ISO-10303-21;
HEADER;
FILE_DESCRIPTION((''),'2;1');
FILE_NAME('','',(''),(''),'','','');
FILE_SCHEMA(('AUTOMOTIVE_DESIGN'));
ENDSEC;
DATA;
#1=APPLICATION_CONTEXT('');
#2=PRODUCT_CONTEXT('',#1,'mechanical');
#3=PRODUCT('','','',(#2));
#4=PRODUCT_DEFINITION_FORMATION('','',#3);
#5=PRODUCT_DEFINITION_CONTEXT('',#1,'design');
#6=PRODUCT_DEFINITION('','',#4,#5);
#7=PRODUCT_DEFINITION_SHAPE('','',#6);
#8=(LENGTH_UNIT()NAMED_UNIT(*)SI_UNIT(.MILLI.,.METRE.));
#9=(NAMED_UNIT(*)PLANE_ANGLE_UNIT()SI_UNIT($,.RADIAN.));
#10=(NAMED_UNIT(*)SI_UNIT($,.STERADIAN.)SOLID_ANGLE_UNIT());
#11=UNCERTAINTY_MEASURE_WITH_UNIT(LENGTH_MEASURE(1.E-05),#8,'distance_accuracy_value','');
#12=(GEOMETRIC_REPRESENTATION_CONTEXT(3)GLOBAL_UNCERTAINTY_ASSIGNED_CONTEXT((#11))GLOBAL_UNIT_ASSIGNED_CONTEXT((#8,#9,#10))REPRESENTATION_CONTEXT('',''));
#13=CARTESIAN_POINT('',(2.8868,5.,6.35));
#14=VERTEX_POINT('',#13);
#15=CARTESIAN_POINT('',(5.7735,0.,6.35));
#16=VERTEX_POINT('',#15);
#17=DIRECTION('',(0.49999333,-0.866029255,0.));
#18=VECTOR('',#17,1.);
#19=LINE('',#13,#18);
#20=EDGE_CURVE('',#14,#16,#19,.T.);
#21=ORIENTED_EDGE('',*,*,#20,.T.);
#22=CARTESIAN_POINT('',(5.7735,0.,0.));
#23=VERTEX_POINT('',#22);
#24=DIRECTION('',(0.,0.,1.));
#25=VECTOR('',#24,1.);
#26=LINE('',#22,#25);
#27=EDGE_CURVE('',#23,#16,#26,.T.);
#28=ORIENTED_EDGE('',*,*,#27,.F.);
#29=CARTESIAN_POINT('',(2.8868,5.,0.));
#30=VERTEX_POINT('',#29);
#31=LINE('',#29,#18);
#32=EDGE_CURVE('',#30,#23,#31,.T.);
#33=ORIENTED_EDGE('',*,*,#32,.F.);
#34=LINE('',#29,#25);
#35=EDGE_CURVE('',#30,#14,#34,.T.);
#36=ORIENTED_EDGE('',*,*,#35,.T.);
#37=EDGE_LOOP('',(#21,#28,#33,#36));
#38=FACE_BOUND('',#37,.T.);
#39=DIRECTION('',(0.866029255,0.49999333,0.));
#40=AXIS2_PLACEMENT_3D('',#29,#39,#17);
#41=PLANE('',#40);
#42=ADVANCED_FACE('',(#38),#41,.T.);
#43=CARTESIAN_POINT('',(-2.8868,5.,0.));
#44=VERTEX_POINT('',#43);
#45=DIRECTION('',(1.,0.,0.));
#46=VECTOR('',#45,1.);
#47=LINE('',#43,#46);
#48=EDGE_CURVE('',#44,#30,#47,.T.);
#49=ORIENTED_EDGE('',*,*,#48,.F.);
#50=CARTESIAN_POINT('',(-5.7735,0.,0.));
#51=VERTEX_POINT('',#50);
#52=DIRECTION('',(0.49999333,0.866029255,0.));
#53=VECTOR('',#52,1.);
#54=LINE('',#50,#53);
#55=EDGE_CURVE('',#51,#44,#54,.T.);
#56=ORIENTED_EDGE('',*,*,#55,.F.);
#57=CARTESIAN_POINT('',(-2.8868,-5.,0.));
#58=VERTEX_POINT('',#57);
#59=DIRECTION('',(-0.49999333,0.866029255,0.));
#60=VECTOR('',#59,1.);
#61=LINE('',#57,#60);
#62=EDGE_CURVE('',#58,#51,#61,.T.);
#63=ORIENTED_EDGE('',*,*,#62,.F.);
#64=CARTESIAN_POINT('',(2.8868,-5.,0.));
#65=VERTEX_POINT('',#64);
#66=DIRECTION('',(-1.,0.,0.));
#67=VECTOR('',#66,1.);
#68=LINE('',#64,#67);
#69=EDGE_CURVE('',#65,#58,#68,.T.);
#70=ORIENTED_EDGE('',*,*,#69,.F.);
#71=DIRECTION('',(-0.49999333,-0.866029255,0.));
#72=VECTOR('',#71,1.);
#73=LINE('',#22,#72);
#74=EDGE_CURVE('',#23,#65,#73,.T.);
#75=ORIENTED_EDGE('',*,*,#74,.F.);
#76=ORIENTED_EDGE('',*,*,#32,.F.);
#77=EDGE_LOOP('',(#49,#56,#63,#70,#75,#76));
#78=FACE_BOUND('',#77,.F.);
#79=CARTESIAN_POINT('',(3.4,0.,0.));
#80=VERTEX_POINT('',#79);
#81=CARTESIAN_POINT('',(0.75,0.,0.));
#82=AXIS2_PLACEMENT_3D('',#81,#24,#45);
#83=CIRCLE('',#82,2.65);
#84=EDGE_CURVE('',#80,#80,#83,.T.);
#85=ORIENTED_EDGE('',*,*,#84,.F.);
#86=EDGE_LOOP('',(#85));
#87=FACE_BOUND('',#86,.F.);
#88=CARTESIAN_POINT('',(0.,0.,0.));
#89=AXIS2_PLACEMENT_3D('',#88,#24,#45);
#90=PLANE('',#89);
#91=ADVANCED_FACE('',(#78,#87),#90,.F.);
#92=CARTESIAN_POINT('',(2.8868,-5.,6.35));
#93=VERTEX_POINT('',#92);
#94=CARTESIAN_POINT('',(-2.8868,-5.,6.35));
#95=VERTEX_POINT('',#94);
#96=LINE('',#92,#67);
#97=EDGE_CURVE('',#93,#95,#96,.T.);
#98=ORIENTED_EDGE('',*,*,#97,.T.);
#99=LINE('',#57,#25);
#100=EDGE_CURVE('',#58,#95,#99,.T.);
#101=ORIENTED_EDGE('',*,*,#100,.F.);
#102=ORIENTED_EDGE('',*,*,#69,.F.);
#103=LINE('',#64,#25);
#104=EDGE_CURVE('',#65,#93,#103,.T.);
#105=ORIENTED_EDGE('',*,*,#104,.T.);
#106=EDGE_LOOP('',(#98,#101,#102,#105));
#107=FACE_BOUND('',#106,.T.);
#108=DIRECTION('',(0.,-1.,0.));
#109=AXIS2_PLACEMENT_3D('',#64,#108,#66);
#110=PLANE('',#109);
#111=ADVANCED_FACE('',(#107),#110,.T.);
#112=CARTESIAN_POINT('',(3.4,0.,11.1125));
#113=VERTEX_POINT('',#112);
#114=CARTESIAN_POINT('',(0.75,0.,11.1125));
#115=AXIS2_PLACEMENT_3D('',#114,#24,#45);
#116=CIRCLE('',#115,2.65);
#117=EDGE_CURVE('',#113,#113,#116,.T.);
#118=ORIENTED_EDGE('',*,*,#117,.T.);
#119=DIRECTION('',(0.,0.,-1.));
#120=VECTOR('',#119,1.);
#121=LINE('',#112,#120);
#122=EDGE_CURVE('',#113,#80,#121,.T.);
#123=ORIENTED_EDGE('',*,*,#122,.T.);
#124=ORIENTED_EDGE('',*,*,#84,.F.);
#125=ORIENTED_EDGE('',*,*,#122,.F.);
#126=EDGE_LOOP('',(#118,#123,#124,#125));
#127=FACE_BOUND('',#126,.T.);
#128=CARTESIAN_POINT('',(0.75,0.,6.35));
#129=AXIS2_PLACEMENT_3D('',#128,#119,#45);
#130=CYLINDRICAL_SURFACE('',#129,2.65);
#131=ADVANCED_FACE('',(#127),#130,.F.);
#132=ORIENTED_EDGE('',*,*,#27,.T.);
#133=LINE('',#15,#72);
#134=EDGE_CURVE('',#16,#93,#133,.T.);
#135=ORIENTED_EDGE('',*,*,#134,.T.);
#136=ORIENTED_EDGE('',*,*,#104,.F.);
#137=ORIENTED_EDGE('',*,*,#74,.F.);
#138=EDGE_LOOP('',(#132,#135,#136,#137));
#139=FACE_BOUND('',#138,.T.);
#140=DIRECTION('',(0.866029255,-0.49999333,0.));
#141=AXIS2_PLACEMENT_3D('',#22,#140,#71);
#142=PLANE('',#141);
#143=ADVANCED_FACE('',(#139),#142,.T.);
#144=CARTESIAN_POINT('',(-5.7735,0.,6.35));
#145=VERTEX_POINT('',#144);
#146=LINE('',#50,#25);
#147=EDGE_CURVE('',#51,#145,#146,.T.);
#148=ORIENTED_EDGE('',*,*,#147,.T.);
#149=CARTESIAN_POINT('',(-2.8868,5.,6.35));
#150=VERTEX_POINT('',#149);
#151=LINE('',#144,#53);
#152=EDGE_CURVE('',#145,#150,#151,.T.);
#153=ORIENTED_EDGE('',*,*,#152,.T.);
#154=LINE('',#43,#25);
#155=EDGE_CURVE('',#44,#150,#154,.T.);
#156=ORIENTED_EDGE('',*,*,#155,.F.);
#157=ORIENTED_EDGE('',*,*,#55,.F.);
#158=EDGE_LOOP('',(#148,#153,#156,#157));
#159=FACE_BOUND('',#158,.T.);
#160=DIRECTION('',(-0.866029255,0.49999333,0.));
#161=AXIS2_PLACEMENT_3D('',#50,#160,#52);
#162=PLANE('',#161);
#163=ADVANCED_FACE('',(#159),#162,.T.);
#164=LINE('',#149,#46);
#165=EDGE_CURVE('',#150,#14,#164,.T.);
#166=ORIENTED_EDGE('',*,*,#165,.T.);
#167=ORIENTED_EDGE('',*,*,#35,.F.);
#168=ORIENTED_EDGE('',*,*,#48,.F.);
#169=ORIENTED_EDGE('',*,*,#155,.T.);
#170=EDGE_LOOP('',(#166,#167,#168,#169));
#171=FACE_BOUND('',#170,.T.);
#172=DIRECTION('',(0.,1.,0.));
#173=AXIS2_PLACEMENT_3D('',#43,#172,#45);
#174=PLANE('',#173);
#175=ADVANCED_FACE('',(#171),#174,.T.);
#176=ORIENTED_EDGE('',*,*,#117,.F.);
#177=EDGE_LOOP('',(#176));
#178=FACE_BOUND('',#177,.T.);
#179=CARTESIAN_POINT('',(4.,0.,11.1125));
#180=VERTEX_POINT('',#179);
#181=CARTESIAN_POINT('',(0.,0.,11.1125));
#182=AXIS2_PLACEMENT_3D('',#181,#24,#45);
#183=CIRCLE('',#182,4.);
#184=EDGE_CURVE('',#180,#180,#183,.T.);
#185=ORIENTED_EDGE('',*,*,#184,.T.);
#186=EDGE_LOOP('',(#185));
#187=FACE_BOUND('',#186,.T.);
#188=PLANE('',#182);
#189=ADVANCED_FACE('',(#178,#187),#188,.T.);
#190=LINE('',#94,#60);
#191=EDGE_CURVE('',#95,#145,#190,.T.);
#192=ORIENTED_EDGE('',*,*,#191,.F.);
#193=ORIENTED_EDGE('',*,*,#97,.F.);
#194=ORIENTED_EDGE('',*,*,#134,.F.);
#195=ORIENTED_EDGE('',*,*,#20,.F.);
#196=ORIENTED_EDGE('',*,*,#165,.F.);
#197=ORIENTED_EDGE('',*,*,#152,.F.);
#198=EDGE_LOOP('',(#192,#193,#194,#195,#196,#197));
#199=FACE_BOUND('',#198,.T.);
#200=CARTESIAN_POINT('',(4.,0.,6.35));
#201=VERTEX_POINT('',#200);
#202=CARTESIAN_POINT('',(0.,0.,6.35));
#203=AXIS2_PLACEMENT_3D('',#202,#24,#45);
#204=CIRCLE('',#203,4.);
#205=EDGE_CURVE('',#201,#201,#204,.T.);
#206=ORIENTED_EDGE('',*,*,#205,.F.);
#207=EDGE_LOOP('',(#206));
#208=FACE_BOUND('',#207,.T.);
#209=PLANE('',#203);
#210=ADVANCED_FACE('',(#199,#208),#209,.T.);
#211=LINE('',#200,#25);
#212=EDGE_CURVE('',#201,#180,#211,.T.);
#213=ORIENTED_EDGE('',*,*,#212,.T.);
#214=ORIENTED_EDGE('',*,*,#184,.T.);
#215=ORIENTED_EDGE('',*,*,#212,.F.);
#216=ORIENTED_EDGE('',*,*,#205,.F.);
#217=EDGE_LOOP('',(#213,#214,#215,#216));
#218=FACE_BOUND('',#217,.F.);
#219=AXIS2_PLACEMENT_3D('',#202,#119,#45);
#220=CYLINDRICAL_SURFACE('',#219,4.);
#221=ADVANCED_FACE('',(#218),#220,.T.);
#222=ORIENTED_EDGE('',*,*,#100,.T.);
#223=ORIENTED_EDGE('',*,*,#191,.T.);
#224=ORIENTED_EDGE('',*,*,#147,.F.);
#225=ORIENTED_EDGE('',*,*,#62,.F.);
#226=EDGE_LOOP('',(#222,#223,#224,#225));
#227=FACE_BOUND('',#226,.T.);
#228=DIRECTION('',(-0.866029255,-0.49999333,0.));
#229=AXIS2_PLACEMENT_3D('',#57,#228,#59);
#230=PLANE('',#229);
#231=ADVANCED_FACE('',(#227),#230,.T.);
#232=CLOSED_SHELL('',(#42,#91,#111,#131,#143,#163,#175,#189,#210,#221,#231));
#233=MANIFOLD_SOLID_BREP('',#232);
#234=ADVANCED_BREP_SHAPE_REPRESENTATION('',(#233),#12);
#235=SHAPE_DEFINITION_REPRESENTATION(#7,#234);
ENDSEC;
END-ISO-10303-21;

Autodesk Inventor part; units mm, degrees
ref_plane "YZ Plane" through (0, 0, 0) normal (1, 0, 0) x (0, 1, 0)
ref_plane "XZ Plane" through (0, 0, 0) normal (0, 1, 0) x (-1, 0, 0)
ref_plane "XY Plane" through (0, 0, 0) normal (0, 0, 1) x (1, 0, 0)
sketch "Sketch1" plane through (0, 0, 0) normal (0, 0, 1) x (1, 0, 0)
  circle A0 centre (0, 0) radius 4
  line L0 (2.8868, 5) -> (5.7735, 0)
  line L1 (5.7735, 0) -> (2.8868, -5)
  line L2 (2.8868, -5) -> (-2.8868, -5)
  line L3 (-2.8868, -5) -> (-5.7735, 0)
  line L4 (-5.7735, 0) -> (-2.8868, 5)
  line L5 (-2.8868, 5) -> (2.8868, 5)
  circle A1 centre (0.75, 0) radius 2.65
  dimension "d0" = 8
  dimension "d2" = 10
  dimension "d3" = 5.3
  dimension "d4" = 0.75
extrude "Extrusion1" add sketch "Sketch1" along normal blind 6.35 contours A0 | L0 L1 L2 L3 L4 L5
sketch "Sketch2" plane through (0, 0, 6.35) normal (0, 0, 1) x (1, 0, 0)
  circle A0 centre (0.75, 0) radius 2.65 projected
  circle A1 centre (0, 0) radius 4
  line L0 (4.0415, 7) -> (8.0829, 0)
  line L1 (8.0829, 0) -> (4.0415, -7)
  line L2 (4.0415, -7) -> (-4.0415, -7)
  line L3 (-4.0415, -7) -> (-8.0829, 0)
  line L4 (-8.0829, 0) -> (-4.0415, 7)
  line L5 (-4.0415, 7) -> (4.0415, 7)
  circle A2 centre (0.75, 0) radius 2.65
  dimension "d7" = 8
  dimension "d8" = 14
  dimension "d9" = 5.3
extrude "Extrusion2" add sketch "Sketch2" along normal blind 4.7625 contours A1
properties part number "Eccentric_Spacer"
